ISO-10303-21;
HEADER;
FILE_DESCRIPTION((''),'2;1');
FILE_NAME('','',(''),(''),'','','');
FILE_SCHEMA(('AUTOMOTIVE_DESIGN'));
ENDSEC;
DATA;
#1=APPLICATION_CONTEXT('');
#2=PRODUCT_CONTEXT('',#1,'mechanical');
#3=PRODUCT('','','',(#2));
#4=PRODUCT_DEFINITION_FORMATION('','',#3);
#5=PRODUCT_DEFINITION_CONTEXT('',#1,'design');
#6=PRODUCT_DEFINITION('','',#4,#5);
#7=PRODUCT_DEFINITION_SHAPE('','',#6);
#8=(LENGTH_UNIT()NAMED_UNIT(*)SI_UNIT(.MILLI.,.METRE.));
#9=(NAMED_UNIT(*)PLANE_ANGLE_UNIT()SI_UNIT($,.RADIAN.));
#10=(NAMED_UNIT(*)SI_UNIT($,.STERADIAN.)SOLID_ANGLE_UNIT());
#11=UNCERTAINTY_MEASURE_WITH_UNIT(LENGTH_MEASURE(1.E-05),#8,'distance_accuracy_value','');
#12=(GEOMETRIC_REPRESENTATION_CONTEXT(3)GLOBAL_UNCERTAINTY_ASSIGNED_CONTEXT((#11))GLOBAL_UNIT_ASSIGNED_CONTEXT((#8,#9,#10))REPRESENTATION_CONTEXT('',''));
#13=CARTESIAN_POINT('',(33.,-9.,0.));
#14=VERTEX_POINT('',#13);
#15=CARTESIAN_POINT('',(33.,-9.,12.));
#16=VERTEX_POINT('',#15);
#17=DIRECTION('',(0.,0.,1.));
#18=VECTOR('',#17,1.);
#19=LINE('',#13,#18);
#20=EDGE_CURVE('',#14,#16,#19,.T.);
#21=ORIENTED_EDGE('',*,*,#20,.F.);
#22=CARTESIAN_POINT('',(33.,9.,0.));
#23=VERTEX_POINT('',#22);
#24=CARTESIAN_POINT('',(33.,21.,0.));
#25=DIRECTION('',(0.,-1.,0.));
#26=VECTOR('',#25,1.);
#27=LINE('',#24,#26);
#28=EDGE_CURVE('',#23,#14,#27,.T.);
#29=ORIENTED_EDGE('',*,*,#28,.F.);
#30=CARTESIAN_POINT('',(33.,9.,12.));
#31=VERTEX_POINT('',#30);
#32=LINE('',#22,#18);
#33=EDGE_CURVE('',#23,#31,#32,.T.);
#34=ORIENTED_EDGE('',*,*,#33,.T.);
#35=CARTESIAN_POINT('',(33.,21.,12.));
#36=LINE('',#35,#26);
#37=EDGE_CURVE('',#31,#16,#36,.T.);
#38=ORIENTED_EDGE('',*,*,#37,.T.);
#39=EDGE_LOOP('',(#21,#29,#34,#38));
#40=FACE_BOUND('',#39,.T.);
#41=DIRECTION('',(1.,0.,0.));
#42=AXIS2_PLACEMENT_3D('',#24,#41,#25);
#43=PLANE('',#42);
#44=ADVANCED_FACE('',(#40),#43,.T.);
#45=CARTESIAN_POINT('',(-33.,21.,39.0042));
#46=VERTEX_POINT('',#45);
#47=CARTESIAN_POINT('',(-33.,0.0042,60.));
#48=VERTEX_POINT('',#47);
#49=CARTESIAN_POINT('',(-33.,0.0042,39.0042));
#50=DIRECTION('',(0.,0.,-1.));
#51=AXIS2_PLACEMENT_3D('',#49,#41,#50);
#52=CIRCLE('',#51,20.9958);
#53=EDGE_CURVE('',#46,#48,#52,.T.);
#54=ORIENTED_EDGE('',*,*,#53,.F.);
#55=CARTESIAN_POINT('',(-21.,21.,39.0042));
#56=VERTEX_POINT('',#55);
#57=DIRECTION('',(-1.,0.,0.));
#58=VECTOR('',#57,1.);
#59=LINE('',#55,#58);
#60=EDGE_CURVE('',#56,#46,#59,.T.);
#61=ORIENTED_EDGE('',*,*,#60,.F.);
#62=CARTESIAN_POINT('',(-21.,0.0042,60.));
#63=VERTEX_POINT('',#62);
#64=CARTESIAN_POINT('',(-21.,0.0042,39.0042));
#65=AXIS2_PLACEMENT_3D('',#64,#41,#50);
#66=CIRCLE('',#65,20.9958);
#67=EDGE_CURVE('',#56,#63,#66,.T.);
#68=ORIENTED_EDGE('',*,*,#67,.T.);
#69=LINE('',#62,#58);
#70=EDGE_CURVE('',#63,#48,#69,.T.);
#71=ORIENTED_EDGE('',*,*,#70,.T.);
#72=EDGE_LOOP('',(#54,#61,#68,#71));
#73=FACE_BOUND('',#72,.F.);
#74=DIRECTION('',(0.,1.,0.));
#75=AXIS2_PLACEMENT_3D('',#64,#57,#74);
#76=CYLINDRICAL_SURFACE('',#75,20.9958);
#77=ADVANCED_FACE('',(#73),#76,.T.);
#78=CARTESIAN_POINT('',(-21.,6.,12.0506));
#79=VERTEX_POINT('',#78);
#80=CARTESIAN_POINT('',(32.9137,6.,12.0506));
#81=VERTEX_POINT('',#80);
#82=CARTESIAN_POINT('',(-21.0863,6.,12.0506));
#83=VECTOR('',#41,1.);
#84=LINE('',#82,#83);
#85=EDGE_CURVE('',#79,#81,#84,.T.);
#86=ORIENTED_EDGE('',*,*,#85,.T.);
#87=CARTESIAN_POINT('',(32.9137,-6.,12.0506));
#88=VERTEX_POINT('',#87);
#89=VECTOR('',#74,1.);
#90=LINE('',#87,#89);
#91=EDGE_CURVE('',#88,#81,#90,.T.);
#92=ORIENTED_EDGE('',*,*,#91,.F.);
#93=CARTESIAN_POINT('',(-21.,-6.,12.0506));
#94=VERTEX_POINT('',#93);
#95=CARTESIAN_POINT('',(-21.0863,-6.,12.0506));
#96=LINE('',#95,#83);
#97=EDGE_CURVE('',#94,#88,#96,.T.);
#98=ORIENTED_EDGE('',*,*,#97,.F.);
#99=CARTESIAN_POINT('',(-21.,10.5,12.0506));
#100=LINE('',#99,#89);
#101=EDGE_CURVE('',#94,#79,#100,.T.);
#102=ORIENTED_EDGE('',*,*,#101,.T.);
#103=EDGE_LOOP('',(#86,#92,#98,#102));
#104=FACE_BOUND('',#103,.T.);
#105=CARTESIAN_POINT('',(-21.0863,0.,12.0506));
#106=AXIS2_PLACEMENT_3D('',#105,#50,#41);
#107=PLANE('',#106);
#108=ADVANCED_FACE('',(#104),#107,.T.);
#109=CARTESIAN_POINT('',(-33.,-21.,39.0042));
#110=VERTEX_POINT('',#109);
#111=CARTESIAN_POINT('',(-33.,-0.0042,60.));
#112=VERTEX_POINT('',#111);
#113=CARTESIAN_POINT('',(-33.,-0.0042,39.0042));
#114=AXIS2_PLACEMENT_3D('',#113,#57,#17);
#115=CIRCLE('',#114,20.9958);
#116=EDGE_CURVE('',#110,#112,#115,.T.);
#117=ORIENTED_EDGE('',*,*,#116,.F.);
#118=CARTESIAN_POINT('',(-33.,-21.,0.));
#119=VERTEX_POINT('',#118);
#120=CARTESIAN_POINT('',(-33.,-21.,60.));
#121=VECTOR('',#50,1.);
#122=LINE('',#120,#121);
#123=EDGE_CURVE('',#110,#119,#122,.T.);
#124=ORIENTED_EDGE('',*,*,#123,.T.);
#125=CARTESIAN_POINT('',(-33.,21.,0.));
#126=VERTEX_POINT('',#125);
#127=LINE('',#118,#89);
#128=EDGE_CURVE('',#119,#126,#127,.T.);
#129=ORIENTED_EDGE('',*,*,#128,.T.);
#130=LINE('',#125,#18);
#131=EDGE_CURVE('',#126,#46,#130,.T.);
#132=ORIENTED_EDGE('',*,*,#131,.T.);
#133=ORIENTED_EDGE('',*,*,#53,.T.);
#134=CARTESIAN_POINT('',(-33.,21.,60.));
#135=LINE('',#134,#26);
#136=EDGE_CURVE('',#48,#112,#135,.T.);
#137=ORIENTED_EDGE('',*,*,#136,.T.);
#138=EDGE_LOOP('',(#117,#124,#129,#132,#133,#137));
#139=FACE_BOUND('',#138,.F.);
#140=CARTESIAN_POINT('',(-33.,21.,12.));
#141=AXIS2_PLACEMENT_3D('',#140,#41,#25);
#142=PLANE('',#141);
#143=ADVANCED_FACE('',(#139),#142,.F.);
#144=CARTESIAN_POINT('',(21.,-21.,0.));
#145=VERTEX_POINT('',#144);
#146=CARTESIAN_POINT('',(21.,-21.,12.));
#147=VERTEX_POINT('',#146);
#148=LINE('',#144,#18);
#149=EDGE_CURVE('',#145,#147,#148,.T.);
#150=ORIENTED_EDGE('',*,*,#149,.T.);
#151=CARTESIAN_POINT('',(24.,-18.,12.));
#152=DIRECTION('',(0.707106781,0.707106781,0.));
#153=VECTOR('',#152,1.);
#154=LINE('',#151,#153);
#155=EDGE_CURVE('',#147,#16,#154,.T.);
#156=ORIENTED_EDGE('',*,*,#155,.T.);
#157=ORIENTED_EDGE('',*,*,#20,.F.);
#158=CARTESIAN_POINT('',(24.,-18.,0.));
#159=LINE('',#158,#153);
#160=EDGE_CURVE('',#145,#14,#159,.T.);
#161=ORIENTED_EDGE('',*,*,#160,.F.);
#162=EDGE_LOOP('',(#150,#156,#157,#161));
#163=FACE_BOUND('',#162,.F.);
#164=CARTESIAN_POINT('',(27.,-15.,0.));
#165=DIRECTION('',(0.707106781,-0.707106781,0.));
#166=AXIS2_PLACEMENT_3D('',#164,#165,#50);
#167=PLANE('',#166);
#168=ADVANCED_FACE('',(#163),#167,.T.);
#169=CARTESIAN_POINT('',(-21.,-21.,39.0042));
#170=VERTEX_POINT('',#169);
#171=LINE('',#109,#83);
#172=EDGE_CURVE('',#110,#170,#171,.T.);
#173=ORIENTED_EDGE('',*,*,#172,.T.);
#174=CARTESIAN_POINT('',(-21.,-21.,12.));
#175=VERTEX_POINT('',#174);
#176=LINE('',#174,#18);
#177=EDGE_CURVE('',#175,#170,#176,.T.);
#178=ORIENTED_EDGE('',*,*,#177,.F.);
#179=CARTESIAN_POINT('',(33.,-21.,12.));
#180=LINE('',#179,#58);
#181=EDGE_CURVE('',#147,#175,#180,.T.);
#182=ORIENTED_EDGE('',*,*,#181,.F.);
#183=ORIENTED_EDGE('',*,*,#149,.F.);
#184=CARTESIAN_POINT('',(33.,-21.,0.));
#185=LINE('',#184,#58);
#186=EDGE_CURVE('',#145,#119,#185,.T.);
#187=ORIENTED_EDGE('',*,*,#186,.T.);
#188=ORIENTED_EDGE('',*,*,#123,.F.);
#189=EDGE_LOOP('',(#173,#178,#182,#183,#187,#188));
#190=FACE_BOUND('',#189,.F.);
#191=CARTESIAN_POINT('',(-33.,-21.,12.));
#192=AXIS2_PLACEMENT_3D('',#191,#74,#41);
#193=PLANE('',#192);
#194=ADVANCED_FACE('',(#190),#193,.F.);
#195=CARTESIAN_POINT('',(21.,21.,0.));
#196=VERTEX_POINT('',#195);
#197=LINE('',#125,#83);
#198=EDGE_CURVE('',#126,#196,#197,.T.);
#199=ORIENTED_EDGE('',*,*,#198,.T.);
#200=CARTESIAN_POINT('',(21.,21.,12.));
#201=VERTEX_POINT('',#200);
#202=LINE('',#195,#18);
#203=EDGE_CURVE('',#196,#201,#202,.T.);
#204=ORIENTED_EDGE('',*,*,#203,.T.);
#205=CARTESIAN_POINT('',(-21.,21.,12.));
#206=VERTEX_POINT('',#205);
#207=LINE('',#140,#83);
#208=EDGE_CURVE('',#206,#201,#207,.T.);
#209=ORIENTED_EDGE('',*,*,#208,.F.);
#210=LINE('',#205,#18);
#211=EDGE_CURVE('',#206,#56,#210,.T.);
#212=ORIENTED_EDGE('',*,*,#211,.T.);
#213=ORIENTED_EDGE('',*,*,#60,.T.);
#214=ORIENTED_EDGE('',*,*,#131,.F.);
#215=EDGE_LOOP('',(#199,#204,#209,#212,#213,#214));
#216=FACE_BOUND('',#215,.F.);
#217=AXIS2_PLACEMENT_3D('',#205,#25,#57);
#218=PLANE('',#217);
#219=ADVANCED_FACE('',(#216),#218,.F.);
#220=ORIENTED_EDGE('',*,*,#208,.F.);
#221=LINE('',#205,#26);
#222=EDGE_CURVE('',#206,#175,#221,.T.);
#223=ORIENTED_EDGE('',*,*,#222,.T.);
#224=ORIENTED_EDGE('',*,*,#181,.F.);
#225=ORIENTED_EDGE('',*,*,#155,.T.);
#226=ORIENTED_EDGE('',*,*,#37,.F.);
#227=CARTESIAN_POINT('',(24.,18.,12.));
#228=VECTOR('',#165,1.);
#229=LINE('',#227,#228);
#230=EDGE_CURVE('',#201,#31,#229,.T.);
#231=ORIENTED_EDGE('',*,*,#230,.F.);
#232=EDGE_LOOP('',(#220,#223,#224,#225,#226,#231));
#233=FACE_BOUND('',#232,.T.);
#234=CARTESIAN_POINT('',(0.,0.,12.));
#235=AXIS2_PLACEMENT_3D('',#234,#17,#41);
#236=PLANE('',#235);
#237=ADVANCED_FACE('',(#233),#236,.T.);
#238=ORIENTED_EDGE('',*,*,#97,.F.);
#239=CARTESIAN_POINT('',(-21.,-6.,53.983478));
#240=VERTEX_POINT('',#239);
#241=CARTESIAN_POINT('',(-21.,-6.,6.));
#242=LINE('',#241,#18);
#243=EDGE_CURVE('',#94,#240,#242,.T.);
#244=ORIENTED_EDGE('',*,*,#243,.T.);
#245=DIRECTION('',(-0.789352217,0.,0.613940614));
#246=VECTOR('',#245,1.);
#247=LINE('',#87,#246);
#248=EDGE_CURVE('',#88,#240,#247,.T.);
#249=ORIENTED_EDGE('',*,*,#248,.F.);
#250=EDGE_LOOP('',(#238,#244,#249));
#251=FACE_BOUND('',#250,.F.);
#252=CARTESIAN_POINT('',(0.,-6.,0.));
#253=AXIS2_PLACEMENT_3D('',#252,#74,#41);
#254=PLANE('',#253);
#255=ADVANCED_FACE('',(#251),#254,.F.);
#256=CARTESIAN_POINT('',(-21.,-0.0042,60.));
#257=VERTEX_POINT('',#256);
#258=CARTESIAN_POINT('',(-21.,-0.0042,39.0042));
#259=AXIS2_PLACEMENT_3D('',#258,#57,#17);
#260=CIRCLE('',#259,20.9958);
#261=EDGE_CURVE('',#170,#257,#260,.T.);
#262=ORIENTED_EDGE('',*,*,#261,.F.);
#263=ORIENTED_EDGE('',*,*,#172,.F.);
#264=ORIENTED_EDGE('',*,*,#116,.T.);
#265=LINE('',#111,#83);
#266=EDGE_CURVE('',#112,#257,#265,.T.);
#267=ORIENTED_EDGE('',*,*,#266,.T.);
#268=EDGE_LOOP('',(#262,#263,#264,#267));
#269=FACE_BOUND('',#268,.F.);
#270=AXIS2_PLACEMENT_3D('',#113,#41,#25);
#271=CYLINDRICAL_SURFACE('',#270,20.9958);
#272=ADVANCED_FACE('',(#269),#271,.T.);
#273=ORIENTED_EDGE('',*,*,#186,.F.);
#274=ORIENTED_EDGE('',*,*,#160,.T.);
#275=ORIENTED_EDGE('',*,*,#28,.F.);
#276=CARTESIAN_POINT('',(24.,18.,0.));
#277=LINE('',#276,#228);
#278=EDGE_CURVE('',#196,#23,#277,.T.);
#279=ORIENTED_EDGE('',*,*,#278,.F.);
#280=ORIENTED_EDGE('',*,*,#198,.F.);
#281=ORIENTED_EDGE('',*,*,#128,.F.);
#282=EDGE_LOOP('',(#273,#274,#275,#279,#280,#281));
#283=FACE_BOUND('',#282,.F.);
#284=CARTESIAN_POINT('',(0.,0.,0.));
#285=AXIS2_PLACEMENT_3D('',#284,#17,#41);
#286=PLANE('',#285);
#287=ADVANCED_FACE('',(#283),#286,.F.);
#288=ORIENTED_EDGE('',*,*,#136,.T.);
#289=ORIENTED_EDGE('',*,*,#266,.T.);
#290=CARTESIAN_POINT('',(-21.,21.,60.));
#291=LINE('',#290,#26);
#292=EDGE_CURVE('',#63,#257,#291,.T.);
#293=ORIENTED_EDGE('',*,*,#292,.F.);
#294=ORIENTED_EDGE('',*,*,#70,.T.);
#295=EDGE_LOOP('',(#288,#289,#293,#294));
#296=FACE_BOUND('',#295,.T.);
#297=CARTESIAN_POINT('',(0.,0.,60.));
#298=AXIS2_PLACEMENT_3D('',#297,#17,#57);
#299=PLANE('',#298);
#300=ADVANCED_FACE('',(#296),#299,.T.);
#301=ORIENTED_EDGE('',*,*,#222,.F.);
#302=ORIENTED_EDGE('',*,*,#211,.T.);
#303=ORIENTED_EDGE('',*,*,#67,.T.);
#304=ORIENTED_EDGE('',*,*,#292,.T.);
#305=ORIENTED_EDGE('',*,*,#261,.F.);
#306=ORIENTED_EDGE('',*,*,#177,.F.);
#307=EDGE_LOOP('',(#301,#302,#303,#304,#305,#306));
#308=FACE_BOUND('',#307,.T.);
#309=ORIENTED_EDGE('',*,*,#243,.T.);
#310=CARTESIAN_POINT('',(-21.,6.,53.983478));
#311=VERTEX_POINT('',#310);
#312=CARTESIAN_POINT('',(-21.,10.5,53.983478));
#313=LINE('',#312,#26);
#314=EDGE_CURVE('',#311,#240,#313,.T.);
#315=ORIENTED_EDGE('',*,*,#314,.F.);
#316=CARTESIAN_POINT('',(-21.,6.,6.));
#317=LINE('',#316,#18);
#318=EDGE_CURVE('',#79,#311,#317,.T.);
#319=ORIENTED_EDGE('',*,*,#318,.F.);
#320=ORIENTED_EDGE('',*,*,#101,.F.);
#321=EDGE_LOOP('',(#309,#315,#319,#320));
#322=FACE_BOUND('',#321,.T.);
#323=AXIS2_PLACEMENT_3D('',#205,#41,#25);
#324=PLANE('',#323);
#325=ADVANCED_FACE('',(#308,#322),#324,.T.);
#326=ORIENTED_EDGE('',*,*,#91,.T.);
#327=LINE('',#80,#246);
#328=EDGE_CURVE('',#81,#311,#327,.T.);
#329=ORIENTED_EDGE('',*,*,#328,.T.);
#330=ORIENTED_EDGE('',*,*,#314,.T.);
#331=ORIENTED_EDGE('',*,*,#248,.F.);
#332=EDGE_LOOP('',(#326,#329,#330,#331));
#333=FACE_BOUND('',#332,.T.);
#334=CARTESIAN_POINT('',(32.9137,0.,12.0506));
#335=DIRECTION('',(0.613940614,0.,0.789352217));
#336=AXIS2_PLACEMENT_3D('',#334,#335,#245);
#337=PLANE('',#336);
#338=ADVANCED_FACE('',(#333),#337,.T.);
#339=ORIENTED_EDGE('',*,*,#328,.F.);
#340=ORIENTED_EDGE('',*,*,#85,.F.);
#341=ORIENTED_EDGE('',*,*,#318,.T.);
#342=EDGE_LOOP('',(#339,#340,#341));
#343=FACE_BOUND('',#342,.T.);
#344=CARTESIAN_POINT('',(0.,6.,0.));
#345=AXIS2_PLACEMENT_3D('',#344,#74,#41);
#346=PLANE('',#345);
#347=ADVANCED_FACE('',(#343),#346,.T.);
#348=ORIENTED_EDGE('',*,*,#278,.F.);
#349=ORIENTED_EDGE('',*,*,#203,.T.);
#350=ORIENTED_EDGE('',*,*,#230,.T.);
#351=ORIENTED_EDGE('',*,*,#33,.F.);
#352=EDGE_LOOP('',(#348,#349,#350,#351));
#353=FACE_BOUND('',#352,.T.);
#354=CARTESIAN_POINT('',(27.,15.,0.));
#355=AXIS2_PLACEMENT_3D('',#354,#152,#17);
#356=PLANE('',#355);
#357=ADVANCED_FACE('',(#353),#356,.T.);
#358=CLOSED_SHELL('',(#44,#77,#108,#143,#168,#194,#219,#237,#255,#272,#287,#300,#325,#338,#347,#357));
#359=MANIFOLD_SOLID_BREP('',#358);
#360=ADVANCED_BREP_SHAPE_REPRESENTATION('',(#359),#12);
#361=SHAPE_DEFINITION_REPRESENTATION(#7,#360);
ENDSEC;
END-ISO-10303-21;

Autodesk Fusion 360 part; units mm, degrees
sketch "Sketch1" plane through (0, 0, 0) normal (0, 0, 1) x (1, 0, 0)
  line L0 (33, -21) -> (-33, -21)
  line L1 (-33, -21) -> (-33, 21)
  line L2 (-33, 21) -> (33, 21)
  line L3 (33, 21) -> (33, -21)
  line L4 (33, -21) -> (-33, 21) construction
  line L5 (-33, -21) -> (33, 21) construction
  dimension "d1" = 66
  dimension "d2" = 42
extrude "Extrude1" add sketch "Sketch1" along normal blind 12
chamfer "Chamfer1" distance 12 angle 45 2 edges at (33, -21, 6) (33, 21, 6)
sketch "Sketch2" plane through (0, 0, 12) normal (0, 0, 1) x (-1, 0, 0)
  line L0 (-33, -9) -> (-21, -21)
  line L1 (-21, -21) -> (33, -21)
  line L2 (33, -21) -> (33, 21)
  line L3 (33, 21) -> (-21, 21)
  line L4 (-21, 21) -> (-33, 9)
  line L5 (-33, 9) -> (-33, -9)
  line L6 (33, -21) -> (21, -21)
  line L7 (21, -21) -> (21, 21)
  line L8 (21, 21) -> (33, 21)
  line L9 (33, 21) -> (33, -21)
  dimension "d6" = 12
extrude "Extrude2" add sketch "Sketch2" along normal blind 48 contours L1 L2 L3 L6 L7 L8 L9
fillet "Fillet1" radius 21 2 edges at (-27, -21, 60) (-27, 21, 60)
sketch "Sketch3" plane through (0, 0, 0) normal (0, 1, 0) x (1, 0, 0)
  line L0 (-21.0863, -54.0506) -> (-21.0863, -12.0506)
  line L1 (-21.0863, -12.0506) -> (32.9137, -12.0506)
  line L2 (32.9137, -12.0506) -> (-21.0863, -54.0506)
  dimension "d11" = 42
  dimension "d12" = 54
extrude "Extrude3" add sketch "Sketch3" along normal mid plane 12
equation "d7 = 60 mm - 12 mm"
equation "d12 = 66 mm - 12 mm"
